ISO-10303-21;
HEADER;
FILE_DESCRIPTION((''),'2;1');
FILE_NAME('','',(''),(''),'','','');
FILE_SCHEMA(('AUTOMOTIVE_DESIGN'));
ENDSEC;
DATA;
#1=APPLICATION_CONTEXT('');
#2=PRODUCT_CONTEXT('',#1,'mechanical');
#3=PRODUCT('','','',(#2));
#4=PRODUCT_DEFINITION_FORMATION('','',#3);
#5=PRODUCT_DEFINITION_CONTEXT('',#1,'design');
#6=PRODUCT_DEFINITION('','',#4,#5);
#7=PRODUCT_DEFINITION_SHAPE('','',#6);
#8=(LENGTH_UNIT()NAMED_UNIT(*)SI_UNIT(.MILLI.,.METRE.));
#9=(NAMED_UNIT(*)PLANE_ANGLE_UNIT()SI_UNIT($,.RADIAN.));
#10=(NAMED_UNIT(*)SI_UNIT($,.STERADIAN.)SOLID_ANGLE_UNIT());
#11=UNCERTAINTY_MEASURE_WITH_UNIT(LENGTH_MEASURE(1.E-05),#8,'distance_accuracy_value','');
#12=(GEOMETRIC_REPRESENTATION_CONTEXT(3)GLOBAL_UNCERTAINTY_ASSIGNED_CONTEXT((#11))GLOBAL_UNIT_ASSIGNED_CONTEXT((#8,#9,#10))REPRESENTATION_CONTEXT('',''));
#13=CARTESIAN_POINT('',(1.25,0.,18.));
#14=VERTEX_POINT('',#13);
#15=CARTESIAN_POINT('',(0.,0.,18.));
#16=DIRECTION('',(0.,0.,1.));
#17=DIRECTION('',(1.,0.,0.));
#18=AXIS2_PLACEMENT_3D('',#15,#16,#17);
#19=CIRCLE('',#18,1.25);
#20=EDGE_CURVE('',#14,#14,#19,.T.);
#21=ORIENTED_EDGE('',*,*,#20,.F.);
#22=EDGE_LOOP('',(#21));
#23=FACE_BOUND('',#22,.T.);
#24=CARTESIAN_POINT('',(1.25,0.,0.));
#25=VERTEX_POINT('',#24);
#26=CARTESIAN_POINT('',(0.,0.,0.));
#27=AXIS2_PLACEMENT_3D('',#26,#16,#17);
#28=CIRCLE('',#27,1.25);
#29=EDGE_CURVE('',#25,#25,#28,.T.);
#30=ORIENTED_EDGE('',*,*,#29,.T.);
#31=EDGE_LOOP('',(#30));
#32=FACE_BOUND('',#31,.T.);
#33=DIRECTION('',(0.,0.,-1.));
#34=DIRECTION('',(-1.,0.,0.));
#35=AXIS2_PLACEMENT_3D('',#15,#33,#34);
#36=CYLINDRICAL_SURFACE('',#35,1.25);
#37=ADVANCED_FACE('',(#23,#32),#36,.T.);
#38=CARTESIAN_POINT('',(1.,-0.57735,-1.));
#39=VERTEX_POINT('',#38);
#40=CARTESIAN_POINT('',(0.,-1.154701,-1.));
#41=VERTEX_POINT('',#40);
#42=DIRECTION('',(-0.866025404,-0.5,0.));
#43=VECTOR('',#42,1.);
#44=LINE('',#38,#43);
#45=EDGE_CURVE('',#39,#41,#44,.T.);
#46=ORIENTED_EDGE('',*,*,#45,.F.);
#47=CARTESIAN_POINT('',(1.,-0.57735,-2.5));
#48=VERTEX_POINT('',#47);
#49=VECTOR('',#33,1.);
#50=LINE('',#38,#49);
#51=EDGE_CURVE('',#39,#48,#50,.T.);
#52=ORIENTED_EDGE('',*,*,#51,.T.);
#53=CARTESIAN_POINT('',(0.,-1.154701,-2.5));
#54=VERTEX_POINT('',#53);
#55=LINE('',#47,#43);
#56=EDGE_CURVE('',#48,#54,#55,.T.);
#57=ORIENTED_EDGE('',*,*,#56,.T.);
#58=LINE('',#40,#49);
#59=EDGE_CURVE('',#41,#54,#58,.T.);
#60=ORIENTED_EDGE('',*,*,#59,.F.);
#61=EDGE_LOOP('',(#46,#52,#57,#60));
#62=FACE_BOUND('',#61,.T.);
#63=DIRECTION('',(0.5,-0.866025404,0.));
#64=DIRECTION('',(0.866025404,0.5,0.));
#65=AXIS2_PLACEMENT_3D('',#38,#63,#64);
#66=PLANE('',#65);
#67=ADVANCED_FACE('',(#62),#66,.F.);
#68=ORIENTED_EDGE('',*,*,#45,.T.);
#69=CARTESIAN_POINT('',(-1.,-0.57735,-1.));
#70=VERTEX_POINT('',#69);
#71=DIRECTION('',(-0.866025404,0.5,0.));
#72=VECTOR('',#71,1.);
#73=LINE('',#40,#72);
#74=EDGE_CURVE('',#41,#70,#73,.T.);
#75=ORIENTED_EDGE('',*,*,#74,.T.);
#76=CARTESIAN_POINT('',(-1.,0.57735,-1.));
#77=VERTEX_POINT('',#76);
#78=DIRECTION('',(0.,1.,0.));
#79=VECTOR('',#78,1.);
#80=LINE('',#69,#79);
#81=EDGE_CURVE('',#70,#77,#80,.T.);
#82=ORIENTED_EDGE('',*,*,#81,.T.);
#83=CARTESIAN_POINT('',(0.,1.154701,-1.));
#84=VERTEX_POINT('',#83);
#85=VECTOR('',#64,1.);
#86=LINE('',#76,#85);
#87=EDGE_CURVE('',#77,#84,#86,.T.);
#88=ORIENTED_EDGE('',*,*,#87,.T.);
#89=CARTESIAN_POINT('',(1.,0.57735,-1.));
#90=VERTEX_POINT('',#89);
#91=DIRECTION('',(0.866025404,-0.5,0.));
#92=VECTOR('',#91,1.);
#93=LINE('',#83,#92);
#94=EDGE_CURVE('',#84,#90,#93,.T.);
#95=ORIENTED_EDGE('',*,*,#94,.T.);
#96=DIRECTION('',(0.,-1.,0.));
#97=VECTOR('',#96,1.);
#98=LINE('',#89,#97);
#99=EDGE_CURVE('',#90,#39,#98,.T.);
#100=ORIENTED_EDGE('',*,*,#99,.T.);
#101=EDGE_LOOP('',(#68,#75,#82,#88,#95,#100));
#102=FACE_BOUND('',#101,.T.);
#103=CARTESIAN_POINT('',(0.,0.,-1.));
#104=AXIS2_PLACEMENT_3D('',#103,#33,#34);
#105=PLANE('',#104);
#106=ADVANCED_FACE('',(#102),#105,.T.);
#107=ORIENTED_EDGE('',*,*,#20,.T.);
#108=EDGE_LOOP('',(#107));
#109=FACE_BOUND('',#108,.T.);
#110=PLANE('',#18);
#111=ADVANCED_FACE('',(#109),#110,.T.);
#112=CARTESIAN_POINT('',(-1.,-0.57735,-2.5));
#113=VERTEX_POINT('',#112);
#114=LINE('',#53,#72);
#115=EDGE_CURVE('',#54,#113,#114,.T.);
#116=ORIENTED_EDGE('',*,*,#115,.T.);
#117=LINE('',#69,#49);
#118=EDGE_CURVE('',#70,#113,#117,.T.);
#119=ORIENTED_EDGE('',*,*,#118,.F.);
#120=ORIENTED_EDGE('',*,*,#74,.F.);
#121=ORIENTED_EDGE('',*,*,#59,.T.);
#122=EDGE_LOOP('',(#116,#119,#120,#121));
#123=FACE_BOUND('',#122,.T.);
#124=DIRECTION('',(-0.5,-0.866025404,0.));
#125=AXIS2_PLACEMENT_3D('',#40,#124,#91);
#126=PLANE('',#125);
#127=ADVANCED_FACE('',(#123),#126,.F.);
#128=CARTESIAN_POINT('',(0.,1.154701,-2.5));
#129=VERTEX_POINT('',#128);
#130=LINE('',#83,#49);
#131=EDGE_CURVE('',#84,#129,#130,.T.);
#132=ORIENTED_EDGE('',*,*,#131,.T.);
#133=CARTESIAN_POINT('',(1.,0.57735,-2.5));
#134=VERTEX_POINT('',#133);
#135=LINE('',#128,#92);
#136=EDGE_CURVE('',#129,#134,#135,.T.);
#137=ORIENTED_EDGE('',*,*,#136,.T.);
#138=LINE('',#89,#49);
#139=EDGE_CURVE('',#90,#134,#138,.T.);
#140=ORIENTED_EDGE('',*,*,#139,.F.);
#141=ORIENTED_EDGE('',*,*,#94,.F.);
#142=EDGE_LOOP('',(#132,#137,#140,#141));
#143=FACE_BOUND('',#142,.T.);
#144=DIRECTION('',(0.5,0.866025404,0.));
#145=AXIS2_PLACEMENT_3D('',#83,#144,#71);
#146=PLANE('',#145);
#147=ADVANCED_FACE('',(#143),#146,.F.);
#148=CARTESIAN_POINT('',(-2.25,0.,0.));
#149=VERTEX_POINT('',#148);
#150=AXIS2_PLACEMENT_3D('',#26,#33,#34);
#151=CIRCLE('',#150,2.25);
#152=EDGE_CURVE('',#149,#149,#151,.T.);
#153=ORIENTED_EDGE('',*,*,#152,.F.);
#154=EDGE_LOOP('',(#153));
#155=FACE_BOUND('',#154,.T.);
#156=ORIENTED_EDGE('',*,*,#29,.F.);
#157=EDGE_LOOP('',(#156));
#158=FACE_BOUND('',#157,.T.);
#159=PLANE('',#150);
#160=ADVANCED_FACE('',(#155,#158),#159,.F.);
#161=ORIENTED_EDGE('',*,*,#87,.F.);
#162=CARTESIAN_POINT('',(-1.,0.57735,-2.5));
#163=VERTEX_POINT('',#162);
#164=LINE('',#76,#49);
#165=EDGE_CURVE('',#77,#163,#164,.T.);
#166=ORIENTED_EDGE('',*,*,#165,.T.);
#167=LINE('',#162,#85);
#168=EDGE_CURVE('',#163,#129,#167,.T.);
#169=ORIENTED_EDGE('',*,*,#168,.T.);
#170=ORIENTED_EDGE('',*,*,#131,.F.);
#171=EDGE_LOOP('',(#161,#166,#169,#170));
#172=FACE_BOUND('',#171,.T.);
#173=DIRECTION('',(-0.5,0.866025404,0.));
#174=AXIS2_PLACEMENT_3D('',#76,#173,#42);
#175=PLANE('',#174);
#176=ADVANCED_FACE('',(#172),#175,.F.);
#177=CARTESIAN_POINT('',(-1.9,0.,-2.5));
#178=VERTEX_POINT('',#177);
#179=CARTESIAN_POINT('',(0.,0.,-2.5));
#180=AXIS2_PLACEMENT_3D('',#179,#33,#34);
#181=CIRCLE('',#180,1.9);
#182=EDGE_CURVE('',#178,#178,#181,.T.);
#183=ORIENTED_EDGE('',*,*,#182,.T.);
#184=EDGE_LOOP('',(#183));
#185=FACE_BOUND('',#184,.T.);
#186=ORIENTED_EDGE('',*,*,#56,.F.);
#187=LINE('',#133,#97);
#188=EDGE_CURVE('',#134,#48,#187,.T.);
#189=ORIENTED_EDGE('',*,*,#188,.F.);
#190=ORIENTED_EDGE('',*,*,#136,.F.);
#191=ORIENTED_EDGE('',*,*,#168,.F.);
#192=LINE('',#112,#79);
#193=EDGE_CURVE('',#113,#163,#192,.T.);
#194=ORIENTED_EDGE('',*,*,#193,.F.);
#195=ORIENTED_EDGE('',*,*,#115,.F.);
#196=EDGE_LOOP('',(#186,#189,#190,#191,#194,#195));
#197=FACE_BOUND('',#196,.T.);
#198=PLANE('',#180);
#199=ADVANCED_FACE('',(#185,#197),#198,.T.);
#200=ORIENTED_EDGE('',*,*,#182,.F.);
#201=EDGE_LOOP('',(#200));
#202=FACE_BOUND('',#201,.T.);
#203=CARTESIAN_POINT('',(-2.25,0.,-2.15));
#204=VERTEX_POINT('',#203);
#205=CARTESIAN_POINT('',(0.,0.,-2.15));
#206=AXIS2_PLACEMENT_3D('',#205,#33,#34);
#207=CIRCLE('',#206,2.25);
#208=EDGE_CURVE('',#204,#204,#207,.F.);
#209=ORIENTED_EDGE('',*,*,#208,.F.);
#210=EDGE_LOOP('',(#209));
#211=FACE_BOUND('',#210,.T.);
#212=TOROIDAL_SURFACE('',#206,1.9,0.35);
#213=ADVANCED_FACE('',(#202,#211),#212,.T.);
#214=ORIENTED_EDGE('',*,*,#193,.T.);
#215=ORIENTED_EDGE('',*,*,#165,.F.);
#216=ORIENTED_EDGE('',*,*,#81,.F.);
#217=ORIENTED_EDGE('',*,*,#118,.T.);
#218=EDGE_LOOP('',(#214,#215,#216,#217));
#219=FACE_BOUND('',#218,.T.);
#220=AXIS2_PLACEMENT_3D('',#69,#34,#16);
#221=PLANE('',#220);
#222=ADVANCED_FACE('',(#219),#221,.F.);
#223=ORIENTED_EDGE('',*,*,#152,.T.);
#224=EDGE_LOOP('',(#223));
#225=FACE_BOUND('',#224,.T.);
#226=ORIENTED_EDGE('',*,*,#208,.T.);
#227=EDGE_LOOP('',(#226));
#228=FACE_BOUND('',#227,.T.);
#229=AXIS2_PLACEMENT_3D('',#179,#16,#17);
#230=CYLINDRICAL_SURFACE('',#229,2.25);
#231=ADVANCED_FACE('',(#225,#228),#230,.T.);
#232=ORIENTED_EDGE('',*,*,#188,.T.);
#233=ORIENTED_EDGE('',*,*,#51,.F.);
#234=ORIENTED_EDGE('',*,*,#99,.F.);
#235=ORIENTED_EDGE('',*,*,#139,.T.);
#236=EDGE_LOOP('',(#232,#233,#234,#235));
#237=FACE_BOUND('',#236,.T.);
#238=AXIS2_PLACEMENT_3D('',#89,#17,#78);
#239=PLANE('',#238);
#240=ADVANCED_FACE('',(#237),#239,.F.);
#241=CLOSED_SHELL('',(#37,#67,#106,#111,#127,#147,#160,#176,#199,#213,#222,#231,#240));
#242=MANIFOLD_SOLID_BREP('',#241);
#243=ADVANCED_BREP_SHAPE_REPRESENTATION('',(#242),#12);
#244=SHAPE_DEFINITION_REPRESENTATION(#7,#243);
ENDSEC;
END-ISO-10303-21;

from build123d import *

# Parameters (mm, degrees)
CROQUIS1_R              = 1.25
SALIENTE_EXTRUIR1_DEPTH = 18
CROQUIS2_R              = 2.25
SALIENTE_EXTRUIR2_DEPTH = 2.5
CORTAR_EXTRUIR1_DEPTH   = 1.5
REDONDEO1_R             = 0.35


with BuildPart() as part:
    # Croquis1 → Saliente-Extruir1 (new body)
    with BuildSketch(Plane.XY):
        Circle(CROQUIS1_R)
    extrude(amount=SALIENTE_EXTRUIR1_DEPTH)

    # Croquis2 → Saliente-Extruir2 (add)
    with BuildSketch(Plane(origin=(0, 0, 0), x_dir=(-1, 0, 0), z_dir=(0, 0, -1))):
        Circle(CROQUIS2_R)
    extrude(amount=SALIENTE_EXTRUIR2_DEPTH)

    # Croquis3 → Cortar-Extruir1 (cut)
    with BuildSketch(Plane(origin=(0, 0, -2.5), x_dir=(-1, 0, 0), z_dir=(0, 0, -1))):
        Polygon((0, -1.154700538), (1, -0.577350269), (1, 0.577350269), (0, 1.154700538), (-1, 0.577350269), (-1, -0.577350269), align=None)
    extrude(amount=-CORTAR_EXTRUIR1_DEPTH, mode=Mode.SUBTRACT)

    # Redondeo1
    redondeo1_edges = [part.edges().sort_by_distance(p)[0] for p in [
        (2.25, 0, -2.5),
    ]]
    fillet(redondeo1_edges, radius=REDONDEO1_R)


solid = part.part
